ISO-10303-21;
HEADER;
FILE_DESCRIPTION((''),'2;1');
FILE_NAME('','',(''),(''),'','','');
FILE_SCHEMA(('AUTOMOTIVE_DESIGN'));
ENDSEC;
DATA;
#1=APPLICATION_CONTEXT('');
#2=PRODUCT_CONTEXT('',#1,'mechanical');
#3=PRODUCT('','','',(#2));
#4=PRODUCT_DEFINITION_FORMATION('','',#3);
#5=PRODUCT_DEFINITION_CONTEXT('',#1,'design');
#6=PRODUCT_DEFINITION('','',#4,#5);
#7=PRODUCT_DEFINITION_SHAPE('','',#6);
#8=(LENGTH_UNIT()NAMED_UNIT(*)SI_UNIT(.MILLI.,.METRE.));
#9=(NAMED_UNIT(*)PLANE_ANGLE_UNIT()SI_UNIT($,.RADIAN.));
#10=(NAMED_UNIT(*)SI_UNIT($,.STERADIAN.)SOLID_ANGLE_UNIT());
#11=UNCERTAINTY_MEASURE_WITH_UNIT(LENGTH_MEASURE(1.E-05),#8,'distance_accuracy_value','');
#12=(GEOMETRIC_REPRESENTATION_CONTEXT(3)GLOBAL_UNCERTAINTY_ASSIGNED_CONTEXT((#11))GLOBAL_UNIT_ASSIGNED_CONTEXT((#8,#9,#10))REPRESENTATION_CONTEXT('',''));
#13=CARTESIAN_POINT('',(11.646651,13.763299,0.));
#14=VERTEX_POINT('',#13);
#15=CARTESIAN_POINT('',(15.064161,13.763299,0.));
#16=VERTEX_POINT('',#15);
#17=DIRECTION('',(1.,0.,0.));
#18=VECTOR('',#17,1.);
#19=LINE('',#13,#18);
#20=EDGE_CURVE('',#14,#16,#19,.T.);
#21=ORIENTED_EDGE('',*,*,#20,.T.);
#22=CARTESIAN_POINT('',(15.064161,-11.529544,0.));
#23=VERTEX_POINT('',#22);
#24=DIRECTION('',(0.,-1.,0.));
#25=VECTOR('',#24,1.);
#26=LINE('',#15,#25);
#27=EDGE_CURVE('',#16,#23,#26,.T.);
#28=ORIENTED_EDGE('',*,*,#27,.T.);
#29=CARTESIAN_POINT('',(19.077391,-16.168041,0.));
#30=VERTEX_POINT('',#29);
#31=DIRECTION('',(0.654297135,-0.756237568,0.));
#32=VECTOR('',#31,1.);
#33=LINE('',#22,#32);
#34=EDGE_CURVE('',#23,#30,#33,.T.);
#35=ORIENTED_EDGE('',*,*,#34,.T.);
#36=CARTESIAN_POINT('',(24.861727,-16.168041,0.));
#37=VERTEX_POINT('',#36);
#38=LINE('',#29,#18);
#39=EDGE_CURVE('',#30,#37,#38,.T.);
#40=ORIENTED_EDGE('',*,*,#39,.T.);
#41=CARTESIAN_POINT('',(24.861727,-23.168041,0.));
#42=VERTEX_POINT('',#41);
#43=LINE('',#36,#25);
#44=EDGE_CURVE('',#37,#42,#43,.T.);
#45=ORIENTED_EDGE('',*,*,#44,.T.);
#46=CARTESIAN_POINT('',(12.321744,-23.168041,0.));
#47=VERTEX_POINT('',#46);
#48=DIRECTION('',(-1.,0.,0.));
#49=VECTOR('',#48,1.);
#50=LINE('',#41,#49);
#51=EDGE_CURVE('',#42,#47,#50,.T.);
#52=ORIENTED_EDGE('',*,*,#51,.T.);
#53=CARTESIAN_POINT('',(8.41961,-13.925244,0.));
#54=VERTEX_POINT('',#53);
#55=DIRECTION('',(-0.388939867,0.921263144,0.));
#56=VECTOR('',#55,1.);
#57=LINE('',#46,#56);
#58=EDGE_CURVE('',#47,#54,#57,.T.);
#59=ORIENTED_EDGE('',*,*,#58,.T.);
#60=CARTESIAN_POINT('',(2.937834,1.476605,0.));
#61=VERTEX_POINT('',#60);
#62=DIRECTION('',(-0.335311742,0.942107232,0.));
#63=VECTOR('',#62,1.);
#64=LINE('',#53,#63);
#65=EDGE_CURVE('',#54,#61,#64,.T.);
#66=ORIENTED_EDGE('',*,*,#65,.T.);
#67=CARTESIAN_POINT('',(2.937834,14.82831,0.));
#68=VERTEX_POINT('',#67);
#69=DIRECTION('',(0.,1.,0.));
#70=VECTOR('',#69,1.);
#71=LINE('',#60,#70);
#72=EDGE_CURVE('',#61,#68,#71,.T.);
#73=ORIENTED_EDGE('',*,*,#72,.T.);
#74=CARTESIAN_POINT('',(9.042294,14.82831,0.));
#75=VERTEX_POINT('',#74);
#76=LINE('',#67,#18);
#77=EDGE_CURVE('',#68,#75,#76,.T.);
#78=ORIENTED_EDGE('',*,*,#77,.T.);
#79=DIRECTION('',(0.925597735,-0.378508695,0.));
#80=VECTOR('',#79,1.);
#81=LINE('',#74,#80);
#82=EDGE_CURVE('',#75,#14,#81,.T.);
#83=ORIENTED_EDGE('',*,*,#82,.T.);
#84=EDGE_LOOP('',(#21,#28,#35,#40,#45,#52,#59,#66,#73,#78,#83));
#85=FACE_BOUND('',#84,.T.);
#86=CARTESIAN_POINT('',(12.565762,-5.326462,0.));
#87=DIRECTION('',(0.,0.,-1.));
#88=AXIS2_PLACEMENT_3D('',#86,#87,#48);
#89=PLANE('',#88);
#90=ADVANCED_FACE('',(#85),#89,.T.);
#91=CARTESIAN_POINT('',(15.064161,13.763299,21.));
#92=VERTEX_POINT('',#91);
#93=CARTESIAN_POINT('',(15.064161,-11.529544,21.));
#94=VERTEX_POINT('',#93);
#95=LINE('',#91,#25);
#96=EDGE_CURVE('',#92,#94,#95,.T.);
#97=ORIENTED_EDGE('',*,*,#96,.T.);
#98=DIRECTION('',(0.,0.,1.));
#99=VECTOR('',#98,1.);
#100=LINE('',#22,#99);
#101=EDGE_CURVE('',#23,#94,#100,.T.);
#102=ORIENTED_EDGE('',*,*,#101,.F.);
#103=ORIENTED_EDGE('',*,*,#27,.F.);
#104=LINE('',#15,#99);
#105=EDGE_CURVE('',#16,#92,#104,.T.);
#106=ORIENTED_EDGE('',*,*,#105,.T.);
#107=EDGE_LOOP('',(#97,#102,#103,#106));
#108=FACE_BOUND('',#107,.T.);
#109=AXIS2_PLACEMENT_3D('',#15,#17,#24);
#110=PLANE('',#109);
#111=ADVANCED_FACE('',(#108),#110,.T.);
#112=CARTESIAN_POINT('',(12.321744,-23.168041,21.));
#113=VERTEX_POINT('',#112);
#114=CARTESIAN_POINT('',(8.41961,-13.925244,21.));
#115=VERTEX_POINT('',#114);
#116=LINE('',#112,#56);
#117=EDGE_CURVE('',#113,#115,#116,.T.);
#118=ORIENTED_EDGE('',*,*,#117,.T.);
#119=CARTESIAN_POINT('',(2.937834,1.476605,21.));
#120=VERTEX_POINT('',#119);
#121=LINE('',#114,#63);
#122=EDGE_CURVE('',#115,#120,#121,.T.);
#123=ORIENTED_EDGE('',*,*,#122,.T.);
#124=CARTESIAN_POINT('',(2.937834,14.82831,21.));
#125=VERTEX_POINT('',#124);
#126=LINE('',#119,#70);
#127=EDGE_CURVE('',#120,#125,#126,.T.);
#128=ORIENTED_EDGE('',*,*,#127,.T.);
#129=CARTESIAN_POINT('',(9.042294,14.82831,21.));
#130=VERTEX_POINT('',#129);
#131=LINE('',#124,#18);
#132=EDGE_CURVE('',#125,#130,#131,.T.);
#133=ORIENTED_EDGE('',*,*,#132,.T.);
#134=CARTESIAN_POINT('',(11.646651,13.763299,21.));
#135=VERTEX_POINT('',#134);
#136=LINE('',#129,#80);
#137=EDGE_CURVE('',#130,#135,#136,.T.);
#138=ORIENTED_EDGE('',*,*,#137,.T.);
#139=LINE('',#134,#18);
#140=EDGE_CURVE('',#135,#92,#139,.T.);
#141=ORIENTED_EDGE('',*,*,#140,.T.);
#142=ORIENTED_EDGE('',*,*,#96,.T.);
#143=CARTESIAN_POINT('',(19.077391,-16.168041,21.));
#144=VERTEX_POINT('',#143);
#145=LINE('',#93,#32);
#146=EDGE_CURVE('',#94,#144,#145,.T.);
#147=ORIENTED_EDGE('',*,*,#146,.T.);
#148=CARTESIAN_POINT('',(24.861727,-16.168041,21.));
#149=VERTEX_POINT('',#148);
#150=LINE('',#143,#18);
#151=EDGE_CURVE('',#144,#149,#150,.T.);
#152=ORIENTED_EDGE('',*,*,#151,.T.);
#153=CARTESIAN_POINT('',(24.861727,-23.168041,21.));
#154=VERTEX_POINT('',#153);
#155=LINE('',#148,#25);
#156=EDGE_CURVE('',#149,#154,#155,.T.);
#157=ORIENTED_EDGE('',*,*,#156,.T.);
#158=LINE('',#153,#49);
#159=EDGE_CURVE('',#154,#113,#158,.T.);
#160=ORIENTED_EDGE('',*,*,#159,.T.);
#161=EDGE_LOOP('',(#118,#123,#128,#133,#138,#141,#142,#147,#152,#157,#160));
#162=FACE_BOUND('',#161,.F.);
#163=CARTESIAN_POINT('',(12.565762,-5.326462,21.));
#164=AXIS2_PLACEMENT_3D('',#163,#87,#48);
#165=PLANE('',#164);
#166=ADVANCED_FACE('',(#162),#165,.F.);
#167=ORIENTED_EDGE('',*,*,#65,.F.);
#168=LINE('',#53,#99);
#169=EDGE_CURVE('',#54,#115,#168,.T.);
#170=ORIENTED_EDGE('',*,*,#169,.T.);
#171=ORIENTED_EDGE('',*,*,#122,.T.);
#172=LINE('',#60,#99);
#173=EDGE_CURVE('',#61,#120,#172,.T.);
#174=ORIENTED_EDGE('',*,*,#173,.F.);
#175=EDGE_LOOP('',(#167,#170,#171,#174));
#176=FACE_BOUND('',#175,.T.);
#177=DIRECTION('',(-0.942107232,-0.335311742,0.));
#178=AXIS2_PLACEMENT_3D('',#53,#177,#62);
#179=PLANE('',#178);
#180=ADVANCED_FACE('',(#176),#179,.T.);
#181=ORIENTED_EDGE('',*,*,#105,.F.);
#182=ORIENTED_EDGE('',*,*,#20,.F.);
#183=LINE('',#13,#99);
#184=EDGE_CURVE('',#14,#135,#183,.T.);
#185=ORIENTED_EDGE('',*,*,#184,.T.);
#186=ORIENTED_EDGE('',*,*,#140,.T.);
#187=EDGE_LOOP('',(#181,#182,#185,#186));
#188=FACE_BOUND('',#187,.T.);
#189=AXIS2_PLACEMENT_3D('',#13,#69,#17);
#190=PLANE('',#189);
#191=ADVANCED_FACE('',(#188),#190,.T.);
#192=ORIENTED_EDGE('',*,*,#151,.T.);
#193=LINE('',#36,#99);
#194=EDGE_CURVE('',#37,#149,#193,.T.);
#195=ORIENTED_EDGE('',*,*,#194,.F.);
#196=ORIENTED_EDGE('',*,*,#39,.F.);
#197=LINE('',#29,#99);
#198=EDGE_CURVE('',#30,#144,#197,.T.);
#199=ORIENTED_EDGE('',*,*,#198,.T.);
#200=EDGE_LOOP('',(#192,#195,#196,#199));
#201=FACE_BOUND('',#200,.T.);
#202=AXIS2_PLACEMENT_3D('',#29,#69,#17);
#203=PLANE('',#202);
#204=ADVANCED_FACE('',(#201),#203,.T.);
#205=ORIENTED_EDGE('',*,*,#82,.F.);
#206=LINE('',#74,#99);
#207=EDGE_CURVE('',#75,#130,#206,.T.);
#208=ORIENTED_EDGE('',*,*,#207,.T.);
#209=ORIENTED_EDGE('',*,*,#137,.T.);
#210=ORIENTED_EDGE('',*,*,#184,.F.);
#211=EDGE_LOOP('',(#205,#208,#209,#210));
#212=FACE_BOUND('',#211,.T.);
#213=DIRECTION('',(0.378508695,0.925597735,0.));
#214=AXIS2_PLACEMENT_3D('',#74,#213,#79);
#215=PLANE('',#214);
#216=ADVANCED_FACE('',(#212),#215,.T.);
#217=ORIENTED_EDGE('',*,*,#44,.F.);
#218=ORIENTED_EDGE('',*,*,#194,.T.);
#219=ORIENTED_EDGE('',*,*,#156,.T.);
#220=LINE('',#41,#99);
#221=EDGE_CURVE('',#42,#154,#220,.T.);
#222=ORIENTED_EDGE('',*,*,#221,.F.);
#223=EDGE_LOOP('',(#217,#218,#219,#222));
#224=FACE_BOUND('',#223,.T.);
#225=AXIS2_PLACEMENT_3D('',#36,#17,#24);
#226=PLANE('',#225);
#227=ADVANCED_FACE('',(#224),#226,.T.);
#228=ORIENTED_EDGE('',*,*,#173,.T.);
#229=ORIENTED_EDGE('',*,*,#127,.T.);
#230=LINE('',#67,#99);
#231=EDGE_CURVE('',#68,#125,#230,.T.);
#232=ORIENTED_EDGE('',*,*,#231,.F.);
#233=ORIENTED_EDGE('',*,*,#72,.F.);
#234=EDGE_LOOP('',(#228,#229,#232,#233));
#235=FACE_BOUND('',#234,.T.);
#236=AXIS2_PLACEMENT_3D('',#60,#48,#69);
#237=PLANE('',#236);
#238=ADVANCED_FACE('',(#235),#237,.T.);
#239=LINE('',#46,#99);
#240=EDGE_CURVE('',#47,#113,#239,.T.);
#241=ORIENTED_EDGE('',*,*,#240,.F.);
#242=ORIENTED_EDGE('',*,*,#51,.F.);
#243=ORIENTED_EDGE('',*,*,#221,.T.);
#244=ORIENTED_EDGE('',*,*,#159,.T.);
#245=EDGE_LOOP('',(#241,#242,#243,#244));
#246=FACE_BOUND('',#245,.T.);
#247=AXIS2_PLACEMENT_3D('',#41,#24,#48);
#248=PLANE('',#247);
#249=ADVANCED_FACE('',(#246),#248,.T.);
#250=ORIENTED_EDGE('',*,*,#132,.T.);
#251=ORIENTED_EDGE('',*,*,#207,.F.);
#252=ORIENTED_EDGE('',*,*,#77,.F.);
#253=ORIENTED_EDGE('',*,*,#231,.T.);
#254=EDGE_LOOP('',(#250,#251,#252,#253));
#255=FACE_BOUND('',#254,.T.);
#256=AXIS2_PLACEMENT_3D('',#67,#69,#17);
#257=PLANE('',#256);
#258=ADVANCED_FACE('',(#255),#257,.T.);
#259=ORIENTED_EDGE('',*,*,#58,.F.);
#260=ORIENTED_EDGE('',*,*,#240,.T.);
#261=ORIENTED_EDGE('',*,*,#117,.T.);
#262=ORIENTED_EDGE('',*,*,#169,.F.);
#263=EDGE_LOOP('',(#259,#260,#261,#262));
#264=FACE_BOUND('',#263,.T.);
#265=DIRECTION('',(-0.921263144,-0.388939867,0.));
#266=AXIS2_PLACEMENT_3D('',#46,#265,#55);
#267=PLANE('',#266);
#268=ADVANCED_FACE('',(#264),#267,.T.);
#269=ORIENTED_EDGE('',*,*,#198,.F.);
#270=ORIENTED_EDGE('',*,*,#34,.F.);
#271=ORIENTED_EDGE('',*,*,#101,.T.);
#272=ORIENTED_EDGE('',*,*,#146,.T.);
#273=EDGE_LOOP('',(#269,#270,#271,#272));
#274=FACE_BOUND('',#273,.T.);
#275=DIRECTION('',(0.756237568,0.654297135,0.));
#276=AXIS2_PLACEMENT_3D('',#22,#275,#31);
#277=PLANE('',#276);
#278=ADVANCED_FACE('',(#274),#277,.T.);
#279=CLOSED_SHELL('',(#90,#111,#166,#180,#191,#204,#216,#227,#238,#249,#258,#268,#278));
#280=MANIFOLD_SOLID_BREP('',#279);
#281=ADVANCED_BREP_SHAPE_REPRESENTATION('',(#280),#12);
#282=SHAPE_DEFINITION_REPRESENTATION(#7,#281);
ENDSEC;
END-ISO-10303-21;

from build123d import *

# Parameters (mm, degrees)
PAD_DEPTH = 21


with BuildPart() as part:
    # Sketch → Pad (new body)
    with BuildSketch(Plane.XY):
        Polygon((15.064161, 13.763299), (15.064161, -11.529544), (19.077391, -16.168041), (24.861727, -16.168041), (24.861727, -23.168041), (12.321744, -23.168041), (8.41961, -13.925244), (2.937834, 1.476605), (2.937834, 14.82831), (9.042294, 14.82831), (11.646651, 13.763299), align=None)
    extrude(amount=PAD_DEPTH)


solid = part.part
